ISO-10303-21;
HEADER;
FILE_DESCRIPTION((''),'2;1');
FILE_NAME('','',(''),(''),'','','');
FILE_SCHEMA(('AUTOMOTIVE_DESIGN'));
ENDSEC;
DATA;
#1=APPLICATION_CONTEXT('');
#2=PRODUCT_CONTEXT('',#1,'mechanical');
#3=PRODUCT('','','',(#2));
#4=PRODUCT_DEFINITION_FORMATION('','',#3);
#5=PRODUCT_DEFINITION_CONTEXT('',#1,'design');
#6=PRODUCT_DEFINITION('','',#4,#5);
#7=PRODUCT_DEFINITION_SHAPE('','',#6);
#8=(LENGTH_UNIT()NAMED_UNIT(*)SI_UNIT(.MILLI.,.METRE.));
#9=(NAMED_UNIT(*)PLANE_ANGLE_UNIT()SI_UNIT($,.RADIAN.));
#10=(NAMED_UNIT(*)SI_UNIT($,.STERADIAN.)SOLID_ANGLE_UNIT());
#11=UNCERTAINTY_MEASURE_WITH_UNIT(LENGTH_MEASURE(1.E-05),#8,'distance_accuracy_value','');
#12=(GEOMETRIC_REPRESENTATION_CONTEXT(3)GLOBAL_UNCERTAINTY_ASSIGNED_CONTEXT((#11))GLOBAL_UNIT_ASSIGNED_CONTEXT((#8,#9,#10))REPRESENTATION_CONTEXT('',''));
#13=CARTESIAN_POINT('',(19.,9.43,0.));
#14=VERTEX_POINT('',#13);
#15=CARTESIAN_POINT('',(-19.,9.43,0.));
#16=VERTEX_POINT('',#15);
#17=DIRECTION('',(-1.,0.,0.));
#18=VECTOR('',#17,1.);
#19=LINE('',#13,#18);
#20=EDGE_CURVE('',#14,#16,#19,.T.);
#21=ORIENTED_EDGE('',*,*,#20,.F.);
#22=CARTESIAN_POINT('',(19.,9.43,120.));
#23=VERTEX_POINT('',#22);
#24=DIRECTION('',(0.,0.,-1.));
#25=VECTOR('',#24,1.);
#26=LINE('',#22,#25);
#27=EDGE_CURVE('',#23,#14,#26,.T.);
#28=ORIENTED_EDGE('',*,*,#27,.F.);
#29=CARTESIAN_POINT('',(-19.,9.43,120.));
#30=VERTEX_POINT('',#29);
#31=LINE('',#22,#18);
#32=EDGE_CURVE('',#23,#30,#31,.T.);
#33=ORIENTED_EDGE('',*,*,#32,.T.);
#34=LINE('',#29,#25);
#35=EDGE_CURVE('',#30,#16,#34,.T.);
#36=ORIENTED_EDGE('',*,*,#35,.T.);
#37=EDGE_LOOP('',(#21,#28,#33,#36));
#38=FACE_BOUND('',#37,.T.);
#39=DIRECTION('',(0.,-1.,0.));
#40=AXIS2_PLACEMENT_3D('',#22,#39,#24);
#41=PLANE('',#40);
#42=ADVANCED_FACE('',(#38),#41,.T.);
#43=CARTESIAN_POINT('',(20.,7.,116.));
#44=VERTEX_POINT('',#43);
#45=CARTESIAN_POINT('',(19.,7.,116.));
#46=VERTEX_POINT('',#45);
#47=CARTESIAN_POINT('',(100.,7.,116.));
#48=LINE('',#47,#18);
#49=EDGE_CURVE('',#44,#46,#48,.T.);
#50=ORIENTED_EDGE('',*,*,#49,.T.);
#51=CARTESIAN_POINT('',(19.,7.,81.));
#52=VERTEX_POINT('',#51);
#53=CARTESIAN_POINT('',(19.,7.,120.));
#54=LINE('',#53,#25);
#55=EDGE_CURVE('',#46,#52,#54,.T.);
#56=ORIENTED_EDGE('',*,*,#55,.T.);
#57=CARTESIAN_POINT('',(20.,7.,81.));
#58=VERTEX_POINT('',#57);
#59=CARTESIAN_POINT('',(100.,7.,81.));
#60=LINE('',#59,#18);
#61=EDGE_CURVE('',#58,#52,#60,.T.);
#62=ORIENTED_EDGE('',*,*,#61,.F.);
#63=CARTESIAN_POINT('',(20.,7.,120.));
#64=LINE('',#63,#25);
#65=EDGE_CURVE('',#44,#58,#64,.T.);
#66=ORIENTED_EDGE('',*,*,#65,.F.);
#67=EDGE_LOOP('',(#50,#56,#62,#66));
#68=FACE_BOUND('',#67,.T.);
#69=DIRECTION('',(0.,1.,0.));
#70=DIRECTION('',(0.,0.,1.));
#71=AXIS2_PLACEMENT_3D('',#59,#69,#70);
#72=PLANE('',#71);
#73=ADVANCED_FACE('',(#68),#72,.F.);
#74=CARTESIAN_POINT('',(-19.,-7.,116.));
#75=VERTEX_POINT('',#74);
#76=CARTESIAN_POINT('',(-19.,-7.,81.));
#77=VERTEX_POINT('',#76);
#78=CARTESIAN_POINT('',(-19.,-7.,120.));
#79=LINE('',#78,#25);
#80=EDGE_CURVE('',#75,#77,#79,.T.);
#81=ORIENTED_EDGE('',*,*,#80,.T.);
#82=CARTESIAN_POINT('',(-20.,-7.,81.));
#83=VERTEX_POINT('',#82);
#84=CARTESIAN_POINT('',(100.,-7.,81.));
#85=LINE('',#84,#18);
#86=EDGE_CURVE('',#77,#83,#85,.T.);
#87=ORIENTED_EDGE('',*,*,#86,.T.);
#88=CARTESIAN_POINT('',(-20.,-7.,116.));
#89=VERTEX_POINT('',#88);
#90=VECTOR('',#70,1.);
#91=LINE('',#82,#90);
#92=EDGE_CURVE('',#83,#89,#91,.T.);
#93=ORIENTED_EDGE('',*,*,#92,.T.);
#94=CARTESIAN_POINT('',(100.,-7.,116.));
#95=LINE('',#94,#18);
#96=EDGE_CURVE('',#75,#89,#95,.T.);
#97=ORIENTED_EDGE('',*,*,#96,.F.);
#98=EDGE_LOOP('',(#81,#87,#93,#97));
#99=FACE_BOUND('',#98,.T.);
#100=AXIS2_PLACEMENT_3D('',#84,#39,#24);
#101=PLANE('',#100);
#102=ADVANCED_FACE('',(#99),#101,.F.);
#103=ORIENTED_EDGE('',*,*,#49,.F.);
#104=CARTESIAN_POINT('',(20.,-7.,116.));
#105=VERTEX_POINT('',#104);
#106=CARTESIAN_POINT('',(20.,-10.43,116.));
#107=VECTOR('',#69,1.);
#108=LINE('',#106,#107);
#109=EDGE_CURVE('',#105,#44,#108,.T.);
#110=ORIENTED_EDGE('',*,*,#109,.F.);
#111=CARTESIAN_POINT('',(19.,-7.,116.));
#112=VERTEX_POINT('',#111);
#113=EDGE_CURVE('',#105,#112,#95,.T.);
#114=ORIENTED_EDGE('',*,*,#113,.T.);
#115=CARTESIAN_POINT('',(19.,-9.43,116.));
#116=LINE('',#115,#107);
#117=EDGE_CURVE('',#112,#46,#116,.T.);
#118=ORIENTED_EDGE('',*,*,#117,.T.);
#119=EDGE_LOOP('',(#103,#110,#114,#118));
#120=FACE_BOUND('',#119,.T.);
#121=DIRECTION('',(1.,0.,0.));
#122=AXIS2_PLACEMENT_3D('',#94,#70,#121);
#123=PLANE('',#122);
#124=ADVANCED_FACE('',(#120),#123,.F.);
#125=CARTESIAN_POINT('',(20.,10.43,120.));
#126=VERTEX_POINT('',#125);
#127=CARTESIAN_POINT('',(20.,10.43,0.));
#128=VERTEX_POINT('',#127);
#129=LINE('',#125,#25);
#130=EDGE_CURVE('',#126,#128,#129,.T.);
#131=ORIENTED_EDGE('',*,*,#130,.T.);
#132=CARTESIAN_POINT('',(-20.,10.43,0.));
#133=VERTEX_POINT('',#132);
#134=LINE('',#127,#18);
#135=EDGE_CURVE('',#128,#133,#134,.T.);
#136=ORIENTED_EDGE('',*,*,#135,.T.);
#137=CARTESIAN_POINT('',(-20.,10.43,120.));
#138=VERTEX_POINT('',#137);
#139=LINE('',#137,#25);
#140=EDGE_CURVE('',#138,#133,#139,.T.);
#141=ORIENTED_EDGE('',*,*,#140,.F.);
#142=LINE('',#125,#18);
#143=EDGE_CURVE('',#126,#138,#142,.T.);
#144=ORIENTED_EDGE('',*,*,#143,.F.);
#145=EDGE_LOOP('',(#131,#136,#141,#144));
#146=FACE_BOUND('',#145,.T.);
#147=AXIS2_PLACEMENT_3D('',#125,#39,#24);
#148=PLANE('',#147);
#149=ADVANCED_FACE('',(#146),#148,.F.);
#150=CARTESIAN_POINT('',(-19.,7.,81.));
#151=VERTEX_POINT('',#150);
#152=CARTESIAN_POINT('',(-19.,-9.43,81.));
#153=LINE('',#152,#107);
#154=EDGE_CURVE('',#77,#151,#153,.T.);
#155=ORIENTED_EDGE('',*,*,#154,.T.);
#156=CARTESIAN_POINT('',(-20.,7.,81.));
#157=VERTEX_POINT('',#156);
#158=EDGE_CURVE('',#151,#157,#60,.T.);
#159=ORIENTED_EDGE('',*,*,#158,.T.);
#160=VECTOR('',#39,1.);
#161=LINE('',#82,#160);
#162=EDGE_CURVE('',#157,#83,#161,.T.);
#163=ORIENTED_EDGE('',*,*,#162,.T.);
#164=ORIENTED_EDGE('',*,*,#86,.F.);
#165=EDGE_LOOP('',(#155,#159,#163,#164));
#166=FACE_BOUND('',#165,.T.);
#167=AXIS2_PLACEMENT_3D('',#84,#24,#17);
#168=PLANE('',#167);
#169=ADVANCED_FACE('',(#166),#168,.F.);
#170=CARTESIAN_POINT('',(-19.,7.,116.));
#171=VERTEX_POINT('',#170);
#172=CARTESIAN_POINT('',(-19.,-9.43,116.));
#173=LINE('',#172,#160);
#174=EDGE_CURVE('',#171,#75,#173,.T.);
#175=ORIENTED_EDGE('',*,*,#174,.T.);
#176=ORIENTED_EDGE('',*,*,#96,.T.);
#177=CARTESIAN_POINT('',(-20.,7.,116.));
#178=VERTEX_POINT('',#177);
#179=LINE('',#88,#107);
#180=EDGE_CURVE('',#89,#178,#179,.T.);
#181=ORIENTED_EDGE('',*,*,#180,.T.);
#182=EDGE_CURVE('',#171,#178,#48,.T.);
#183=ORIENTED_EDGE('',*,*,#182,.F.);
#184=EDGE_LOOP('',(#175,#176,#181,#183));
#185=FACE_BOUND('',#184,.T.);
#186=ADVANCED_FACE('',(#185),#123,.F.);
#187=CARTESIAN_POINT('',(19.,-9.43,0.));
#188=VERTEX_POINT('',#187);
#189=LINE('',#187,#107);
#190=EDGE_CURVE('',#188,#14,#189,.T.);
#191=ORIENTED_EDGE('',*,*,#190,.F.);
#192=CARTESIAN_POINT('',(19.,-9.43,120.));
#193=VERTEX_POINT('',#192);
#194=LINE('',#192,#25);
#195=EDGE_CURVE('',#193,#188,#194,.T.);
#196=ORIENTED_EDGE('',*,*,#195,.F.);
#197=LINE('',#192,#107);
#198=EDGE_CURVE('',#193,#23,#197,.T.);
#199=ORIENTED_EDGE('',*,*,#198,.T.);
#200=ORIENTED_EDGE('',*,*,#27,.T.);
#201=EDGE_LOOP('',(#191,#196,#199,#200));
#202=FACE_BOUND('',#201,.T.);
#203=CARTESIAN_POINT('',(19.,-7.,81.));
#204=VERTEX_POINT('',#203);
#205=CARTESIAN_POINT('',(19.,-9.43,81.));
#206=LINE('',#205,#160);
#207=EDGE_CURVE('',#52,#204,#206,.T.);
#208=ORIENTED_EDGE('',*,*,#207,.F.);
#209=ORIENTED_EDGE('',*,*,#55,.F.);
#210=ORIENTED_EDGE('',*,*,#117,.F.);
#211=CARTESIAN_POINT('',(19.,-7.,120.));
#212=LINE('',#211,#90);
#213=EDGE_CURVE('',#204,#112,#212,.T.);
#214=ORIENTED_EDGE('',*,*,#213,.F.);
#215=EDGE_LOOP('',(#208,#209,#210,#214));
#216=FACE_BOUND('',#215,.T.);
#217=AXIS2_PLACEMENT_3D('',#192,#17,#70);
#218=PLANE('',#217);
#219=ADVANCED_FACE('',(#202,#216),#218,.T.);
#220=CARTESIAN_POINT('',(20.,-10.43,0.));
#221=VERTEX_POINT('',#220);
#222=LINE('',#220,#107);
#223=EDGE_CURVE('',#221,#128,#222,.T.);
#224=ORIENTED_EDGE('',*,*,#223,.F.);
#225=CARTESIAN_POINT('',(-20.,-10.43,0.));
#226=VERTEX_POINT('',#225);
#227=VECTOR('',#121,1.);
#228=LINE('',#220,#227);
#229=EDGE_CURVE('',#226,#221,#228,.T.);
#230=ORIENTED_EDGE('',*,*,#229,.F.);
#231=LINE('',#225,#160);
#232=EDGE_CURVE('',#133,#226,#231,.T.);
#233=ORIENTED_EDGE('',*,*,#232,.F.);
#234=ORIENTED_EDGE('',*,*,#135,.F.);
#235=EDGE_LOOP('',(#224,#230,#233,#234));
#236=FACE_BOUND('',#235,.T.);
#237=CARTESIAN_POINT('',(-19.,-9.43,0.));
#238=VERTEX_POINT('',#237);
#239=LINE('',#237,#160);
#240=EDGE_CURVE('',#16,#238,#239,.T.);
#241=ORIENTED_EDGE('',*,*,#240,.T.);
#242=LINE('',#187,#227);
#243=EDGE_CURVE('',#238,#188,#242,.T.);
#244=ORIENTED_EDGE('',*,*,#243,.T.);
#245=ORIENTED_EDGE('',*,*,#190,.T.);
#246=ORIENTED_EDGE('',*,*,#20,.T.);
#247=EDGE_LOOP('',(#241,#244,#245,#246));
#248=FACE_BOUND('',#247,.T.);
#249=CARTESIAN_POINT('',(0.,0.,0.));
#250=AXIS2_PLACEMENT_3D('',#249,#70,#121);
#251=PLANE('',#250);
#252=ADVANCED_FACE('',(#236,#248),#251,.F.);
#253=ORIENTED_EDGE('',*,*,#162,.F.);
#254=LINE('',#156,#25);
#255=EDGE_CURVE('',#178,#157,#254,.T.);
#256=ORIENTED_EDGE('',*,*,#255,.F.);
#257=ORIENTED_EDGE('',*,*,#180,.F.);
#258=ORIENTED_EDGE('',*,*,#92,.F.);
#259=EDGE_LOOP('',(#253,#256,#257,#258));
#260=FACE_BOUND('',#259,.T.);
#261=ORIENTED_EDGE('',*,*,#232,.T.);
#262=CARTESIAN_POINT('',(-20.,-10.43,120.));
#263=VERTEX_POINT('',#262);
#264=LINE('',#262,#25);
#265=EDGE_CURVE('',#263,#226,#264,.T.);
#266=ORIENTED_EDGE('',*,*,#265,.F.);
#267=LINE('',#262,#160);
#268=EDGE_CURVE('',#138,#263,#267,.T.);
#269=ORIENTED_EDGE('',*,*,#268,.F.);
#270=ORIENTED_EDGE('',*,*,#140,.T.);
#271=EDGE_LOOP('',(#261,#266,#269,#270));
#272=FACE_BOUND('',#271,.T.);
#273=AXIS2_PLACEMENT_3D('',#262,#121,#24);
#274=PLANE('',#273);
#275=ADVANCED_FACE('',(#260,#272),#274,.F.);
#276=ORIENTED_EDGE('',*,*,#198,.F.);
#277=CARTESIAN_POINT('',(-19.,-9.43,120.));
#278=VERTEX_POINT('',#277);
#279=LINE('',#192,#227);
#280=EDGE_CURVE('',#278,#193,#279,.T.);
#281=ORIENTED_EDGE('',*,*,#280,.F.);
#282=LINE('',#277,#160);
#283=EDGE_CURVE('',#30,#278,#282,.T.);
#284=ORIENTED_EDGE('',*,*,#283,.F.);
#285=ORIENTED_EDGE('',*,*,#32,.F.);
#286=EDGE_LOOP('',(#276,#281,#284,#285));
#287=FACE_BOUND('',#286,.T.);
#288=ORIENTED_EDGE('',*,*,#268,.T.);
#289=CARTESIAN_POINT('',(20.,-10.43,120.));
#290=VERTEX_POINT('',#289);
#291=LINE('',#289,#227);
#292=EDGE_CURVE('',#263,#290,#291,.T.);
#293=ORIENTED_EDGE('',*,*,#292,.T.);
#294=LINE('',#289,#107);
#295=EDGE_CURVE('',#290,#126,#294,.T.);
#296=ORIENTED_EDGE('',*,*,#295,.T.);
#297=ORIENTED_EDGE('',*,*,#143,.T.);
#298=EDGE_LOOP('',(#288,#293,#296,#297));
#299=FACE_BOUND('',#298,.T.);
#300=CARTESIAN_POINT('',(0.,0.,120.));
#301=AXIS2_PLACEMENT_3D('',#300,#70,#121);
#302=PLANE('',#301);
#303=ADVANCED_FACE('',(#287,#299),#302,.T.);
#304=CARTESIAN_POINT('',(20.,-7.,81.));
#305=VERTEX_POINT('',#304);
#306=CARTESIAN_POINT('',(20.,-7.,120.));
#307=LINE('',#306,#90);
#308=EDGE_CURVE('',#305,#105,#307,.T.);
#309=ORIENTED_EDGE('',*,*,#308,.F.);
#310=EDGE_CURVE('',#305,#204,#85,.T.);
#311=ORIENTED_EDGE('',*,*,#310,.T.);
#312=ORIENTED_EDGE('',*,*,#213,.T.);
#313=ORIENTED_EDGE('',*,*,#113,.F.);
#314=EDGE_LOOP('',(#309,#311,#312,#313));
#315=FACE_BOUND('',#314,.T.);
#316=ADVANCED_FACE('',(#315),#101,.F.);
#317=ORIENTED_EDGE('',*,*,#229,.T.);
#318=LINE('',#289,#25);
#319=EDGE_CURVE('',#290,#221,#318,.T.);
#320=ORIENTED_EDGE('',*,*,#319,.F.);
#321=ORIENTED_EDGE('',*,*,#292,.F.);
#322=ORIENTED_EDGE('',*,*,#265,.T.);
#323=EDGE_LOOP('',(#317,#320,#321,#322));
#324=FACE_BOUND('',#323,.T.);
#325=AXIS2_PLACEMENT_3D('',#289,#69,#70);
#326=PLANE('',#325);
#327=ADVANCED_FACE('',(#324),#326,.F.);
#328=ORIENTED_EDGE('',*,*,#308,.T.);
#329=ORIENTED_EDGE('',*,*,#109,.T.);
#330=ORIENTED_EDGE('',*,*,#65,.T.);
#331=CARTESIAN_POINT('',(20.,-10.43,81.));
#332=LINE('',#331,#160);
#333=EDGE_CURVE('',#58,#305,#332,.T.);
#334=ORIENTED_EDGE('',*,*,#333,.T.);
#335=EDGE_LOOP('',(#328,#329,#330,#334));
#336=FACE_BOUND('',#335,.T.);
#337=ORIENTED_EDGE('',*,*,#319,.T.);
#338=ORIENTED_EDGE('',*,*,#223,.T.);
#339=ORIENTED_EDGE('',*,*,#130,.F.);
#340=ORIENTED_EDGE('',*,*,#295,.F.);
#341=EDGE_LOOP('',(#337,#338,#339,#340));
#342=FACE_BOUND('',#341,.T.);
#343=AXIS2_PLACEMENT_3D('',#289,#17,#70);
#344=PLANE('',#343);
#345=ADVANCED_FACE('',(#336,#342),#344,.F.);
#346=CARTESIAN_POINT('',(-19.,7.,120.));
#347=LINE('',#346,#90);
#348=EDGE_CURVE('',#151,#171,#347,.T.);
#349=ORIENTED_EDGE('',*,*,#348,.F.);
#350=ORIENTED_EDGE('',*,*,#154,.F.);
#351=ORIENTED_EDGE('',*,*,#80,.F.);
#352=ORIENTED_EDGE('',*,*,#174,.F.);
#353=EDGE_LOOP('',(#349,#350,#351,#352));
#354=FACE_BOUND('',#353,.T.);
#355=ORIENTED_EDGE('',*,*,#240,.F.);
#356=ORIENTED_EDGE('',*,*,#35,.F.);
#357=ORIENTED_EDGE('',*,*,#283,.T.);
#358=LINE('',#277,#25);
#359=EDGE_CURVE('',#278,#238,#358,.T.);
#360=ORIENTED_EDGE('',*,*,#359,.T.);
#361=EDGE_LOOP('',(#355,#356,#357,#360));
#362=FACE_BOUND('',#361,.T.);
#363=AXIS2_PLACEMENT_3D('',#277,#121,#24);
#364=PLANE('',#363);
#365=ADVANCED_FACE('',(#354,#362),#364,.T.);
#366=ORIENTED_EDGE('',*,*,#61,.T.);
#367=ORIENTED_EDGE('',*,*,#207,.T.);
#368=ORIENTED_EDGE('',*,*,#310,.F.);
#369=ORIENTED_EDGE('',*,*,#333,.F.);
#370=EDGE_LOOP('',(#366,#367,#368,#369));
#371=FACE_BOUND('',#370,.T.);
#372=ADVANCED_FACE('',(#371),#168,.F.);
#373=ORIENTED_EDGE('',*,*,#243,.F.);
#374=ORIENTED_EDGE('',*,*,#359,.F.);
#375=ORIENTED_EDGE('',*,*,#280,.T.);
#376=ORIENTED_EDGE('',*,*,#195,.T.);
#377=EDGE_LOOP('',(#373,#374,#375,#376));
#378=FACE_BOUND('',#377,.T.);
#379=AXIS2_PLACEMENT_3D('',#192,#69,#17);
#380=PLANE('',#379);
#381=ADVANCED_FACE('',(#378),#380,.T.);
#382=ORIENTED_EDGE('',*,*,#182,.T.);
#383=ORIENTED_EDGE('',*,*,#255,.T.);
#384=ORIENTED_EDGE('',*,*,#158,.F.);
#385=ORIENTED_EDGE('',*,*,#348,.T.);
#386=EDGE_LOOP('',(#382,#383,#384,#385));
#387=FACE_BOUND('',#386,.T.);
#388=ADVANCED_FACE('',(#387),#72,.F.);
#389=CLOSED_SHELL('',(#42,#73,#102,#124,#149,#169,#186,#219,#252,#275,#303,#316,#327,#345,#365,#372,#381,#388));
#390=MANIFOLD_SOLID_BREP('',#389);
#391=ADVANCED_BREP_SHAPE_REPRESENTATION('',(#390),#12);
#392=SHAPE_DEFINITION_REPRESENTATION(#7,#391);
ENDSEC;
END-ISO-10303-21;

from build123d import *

# Parameters (mm, degrees)
CROQUIS1_W              = 40
CROQUIS1_H              = 20.86
CROQUIS1_W_2            = 38
CROQUIS1_H_2            = 18.86
SALIENTE_EXTRUIR1_DEPTH = 120
CROQUIS2_W              = 35
CROQUIS2_H              = 14
CORTAR_EXTRUIR1_DEPTH   = 120


with BuildPart() as part:
    # Croquis1 → Saliente-Extruir1 (new body)
    with BuildSketch(Plane.XY):
        Rectangle(CROQUIS1_W, CROQUIS1_H)
        Rectangle(CROQUIS1_W_2, CROQUIS1_H_2, mode=Mode.SUBTRACT)
    extrude(amount=SALIENTE_EXTRUIR1_DEPTH)

    # Croquis2 → Cortar-Extruir1 (cut)
    with BuildSketch(Plane.ZY.offset(20)):
        with Locations((98.5, 0)):
            Rectangle(CROQUIS2_W, CROQUIS2_H)
    extrude(amount=-CORTAR_EXTRUIR1_DEPTH, mode=Mode.SUBTRACT)


solid = part.part
